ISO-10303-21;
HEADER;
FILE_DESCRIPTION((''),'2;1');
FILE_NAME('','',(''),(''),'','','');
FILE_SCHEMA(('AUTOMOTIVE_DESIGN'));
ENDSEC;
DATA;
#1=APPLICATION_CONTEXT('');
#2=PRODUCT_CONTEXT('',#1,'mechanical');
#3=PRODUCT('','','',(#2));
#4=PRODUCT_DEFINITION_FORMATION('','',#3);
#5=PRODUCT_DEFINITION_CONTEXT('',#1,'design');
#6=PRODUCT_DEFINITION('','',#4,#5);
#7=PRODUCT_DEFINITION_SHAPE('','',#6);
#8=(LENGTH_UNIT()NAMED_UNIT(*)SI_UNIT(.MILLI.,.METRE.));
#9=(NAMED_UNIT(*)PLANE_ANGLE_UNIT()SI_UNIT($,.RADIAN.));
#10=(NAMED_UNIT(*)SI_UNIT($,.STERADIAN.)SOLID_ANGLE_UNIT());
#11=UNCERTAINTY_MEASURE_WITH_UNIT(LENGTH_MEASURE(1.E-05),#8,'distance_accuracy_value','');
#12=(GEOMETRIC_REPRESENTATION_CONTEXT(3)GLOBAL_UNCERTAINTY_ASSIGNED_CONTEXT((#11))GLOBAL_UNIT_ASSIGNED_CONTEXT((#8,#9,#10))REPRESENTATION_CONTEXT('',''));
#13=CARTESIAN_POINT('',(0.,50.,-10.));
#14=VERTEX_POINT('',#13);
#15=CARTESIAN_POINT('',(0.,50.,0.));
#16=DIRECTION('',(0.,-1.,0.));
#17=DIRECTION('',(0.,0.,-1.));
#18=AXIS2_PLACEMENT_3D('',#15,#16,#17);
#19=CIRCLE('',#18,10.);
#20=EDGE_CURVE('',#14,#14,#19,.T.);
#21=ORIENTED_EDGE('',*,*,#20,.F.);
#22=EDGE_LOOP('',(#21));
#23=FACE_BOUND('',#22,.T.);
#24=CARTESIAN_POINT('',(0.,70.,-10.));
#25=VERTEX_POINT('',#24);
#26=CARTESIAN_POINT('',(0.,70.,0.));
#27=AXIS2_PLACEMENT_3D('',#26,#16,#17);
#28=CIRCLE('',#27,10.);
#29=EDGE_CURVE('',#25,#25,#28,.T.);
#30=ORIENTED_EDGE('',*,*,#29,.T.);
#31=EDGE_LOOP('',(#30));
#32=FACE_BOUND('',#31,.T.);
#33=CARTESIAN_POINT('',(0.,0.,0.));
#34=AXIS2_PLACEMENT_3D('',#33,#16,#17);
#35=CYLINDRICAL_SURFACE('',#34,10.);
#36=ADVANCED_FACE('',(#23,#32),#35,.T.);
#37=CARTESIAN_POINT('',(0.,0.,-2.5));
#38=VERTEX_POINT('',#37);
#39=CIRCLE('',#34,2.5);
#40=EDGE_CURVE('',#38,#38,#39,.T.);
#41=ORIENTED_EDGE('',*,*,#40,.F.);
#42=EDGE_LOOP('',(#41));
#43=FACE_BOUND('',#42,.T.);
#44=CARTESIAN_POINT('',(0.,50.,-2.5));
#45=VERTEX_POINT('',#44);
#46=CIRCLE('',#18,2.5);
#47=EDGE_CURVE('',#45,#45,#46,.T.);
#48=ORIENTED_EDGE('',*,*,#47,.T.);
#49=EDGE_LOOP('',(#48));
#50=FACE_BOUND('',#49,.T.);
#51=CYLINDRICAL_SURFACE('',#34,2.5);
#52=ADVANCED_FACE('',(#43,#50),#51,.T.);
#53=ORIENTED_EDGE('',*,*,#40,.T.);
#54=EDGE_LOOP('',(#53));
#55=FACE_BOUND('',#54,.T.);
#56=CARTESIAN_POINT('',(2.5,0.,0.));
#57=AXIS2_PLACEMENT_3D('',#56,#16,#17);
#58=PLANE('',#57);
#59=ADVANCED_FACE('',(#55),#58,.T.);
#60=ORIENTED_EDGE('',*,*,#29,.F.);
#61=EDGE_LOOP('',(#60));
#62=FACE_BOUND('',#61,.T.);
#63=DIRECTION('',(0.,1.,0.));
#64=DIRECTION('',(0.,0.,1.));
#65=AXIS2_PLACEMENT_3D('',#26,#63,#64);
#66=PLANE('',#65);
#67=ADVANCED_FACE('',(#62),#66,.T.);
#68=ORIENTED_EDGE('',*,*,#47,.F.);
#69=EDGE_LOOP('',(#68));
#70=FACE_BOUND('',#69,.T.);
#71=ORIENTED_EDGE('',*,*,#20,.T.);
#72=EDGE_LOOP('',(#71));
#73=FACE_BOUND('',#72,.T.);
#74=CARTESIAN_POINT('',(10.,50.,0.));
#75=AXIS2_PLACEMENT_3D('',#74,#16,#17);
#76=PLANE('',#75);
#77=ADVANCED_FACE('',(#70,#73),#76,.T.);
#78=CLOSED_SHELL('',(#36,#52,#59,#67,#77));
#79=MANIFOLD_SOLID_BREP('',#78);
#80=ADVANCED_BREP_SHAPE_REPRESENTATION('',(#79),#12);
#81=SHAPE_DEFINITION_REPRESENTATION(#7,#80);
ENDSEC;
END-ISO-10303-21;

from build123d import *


with BuildPart() as part:
    # Esboço1 → Revolução1 (revolve)
    with BuildSketch(Plane.XY, mode=Mode.PRIVATE) as revolu_o1_sk:
        Polygon((0, 0), (0, 70), (10, 70), (10, 50), (2.5, 50), (2.5, 0), align=None)
    revolve(revolu_o1_sk.sketch.rotate(Axis((0, 0, 0), (0, 1, 0)), 90), axis=Axis((0, 0, 0), (0, 1, 0)))


solid = part.part
